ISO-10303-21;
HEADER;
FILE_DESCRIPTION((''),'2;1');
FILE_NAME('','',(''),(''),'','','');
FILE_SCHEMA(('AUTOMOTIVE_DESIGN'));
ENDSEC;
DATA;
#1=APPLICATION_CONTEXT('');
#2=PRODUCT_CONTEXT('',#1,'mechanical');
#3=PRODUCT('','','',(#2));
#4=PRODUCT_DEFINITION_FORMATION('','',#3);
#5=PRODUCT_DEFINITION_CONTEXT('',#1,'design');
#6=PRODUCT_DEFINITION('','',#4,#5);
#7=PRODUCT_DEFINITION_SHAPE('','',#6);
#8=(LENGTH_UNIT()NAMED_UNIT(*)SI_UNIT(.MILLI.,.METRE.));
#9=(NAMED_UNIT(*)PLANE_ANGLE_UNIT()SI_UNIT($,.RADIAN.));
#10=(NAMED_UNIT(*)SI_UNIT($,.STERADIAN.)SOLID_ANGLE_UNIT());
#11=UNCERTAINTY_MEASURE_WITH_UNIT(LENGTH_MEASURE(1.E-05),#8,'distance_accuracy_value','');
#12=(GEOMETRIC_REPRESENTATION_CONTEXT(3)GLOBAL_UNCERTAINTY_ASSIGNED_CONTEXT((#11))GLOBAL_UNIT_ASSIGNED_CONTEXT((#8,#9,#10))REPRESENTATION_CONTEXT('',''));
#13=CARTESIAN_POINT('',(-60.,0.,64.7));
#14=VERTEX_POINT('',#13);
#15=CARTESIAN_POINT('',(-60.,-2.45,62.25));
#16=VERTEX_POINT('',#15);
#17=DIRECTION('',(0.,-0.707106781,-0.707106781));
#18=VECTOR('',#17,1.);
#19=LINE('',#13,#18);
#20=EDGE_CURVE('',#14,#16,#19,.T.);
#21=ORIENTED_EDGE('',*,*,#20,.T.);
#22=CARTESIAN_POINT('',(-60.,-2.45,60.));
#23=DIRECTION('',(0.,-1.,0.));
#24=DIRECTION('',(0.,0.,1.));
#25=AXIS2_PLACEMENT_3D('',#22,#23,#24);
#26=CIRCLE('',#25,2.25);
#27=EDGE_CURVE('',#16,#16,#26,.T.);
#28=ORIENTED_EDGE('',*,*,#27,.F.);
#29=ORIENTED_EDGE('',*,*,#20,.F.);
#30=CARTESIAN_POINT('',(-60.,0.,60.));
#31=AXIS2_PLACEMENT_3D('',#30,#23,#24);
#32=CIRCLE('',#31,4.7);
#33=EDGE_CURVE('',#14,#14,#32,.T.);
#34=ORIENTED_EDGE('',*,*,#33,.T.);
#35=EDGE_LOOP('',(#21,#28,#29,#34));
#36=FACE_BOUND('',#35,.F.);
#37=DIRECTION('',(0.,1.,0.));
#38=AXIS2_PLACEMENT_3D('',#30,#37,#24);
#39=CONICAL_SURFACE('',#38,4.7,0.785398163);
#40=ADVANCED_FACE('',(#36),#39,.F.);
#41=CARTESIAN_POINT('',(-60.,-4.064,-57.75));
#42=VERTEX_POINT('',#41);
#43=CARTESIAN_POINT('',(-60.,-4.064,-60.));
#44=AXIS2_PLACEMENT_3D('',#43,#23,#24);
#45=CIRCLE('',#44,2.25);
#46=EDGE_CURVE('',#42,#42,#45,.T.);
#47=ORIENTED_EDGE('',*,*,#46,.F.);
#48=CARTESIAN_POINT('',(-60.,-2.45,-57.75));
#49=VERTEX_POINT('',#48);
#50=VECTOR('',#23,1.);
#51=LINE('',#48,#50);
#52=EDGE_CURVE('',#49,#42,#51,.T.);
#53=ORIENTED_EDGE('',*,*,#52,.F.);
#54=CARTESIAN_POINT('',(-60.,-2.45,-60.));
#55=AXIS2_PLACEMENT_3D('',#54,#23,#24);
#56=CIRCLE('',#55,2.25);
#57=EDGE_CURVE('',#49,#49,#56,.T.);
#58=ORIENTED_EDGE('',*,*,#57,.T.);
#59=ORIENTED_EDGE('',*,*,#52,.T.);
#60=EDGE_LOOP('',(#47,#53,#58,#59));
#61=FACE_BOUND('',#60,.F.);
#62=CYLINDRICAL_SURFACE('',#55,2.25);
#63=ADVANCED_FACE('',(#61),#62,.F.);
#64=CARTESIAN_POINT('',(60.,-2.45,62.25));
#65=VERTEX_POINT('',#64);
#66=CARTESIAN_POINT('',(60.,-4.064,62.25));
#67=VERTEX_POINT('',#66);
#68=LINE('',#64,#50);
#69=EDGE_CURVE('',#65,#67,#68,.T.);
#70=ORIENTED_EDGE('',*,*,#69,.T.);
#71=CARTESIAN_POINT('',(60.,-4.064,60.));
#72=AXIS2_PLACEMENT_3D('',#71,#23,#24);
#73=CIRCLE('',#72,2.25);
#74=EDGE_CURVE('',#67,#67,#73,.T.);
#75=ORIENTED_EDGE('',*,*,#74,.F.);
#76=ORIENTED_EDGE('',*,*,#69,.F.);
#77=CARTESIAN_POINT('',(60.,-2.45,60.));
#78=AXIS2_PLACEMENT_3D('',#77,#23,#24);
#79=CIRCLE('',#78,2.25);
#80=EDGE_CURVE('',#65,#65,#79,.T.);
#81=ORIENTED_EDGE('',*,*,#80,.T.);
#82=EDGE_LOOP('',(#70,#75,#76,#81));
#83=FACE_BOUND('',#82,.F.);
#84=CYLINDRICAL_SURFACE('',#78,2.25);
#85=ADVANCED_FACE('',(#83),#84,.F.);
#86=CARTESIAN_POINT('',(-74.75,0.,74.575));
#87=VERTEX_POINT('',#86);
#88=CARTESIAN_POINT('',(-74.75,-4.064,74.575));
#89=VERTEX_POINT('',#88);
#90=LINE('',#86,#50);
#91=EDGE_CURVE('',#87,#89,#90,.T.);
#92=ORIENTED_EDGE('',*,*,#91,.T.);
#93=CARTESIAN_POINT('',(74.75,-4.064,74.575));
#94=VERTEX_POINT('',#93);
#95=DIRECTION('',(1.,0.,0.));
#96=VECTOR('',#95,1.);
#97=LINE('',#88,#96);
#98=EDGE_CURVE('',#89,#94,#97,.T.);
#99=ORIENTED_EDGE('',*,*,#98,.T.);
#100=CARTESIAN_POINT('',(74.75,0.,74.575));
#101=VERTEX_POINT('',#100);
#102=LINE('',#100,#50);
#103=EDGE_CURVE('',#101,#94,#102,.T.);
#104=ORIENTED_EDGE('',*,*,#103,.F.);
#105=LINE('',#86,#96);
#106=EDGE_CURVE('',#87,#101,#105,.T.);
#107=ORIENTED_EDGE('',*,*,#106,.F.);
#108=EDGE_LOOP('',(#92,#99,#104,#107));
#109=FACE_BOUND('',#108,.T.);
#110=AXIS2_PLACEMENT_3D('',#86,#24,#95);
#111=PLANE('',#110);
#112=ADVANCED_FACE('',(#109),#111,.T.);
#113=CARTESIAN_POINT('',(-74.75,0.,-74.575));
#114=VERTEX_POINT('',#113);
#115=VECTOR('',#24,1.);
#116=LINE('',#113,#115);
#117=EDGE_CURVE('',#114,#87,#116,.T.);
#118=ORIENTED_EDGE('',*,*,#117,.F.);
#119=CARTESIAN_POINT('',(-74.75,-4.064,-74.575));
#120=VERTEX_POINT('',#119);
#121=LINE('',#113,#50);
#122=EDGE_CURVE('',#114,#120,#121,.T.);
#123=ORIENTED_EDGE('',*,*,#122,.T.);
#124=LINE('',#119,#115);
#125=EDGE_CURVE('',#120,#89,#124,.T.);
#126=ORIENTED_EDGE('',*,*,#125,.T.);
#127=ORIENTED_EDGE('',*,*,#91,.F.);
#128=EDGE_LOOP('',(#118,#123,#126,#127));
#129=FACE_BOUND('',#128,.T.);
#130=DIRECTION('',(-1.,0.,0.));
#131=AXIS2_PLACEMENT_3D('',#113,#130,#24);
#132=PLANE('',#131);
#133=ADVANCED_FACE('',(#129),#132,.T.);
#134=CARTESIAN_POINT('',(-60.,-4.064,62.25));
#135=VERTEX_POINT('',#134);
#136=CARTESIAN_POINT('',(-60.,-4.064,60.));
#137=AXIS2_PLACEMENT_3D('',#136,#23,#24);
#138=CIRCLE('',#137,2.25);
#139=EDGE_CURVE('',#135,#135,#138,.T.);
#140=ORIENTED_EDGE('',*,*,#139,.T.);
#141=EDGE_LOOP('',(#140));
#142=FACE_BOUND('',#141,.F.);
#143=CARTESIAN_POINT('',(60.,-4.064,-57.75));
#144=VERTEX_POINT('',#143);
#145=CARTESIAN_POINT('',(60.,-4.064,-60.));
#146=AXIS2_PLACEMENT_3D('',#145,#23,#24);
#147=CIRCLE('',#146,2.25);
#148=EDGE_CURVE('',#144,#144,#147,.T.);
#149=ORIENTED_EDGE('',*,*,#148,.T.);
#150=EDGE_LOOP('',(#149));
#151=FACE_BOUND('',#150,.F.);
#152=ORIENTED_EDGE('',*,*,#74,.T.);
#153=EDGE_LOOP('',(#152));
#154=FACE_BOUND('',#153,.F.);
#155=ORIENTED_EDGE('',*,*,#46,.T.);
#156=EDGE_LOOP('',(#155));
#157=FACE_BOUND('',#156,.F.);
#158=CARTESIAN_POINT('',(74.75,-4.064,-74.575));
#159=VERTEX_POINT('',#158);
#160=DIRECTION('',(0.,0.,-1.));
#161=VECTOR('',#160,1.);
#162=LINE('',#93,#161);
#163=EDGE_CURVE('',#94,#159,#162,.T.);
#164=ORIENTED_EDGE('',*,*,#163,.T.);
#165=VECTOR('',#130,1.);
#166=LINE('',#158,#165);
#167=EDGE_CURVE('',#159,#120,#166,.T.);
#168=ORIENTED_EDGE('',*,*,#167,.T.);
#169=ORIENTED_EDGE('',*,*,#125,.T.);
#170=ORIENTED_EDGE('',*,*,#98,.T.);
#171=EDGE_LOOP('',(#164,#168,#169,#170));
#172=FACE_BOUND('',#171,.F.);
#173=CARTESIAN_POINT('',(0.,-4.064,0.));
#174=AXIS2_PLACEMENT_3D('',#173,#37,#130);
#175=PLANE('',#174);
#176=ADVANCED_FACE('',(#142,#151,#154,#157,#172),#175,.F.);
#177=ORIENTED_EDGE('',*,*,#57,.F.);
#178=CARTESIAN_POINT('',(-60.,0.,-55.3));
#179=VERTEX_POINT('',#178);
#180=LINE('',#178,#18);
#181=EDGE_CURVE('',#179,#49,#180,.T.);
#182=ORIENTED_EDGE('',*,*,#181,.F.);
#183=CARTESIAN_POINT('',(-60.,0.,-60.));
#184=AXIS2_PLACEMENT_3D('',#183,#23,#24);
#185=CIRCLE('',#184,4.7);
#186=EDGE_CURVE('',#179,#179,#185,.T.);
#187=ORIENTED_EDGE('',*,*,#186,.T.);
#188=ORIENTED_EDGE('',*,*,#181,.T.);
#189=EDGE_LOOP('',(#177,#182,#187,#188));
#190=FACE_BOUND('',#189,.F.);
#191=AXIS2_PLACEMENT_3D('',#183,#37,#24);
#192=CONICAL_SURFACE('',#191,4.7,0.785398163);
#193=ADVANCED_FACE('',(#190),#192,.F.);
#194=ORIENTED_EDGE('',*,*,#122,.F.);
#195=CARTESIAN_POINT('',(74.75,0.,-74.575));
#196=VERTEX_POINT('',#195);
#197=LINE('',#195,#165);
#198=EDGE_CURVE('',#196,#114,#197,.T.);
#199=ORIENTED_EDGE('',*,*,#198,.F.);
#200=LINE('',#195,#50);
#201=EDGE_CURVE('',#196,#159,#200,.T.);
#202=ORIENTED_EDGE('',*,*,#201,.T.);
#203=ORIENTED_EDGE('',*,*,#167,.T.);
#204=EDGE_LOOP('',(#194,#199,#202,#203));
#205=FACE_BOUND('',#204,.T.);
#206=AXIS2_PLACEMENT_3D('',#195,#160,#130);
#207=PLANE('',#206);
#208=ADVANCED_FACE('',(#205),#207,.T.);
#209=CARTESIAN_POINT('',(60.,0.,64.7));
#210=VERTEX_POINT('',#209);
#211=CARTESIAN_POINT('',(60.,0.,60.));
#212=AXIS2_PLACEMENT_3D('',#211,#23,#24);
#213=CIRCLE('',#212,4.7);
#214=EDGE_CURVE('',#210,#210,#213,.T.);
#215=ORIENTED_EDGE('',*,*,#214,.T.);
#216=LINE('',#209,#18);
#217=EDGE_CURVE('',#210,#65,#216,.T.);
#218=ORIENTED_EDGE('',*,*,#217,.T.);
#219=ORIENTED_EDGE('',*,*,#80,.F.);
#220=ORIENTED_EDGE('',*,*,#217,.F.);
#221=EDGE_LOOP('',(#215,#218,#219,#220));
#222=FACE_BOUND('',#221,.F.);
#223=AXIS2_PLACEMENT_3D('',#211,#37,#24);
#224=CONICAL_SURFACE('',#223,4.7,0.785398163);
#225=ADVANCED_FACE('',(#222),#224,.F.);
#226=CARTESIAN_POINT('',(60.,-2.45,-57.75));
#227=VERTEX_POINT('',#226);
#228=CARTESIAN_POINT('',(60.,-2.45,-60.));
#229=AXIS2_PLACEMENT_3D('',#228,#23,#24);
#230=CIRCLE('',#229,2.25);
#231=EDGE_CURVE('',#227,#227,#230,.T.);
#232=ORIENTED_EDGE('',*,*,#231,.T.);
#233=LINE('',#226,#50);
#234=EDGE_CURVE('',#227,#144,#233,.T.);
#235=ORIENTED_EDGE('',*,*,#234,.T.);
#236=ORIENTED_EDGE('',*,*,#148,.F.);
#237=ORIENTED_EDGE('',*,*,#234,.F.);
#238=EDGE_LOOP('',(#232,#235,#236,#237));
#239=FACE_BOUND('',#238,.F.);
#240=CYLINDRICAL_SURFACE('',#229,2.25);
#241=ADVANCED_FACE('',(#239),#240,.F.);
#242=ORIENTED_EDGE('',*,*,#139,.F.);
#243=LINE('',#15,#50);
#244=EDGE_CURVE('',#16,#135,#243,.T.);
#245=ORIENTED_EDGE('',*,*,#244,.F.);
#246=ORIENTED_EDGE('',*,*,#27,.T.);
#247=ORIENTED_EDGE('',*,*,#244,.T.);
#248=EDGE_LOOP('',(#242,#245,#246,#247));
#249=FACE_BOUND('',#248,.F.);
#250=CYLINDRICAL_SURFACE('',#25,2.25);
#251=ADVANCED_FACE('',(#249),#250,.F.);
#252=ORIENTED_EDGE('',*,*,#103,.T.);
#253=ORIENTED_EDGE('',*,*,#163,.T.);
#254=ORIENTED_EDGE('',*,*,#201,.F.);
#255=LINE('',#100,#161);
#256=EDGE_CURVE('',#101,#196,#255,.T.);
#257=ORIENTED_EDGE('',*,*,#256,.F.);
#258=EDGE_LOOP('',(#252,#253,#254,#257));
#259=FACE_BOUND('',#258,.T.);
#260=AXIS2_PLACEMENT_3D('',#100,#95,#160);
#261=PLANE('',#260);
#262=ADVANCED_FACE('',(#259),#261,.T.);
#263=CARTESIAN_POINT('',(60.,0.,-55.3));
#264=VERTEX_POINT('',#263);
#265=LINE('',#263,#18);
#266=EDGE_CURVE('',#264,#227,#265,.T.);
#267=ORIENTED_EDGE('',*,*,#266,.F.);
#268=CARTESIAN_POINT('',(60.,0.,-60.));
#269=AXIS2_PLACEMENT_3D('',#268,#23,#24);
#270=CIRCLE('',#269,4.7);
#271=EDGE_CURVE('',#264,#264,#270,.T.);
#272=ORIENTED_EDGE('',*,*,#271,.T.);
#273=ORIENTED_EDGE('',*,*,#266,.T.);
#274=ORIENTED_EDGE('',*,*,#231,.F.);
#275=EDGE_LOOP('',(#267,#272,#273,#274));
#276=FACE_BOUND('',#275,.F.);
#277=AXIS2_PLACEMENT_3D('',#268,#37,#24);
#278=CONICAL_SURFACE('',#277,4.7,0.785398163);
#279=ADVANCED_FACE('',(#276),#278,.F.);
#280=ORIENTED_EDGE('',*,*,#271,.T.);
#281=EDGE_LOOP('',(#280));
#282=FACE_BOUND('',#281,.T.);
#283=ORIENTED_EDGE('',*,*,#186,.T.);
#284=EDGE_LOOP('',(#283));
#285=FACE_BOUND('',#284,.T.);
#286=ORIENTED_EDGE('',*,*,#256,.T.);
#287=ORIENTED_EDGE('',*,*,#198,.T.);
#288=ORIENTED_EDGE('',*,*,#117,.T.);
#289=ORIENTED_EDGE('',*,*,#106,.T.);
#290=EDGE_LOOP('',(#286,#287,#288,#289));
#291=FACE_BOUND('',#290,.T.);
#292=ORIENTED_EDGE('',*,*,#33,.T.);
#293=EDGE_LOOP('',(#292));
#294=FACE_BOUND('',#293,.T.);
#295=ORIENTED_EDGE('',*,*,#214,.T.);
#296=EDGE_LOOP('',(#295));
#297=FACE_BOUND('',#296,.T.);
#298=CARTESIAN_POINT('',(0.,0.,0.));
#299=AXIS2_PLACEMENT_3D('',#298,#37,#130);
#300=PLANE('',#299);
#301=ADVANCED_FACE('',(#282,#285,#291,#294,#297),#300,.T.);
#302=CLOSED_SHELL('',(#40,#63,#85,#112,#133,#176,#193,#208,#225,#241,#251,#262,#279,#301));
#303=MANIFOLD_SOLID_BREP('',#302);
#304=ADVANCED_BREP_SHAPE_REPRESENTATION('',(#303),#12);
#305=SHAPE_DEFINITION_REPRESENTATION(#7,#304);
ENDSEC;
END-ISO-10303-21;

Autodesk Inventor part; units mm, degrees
ref_plane "YZ Plane" through (0, 0, 0) normal (1, 0, 0) x (0, 1, 0)
ref_plane "XZ Plane" through (0, 0, 0) normal (0, 1, 0) x (-1, 0, 0)
ref_plane "XY Plane" through (0, 0, 0) normal (0, 0, 1) x (1, 0, 0)
sketch "Sketch1" plane through (0, 0, 0) normal (0, 1, 0) x (-1, 0, 0)
  line L0 (74.75, 74.575) -> (-74.75, 74.575)
  line L1 (-74.75, 74.575) -> (-74.75, -74.575)
  line L2 (-74.75, -74.575) -> (74.75, -74.575)
  line L3 (74.75, -74.575) -> (74.75, 74.575)
  line L4 (74.75, 74.575) -> (-74.75, -74.575) construction
  line L5 (-74.75, 74.575) -> (74.75, -74.575) construction
  point P0 (0, 0)
  dimension "d32" = 149.5
  dimension "d33" = 149.15
extrude "Extrusion1" add sketch "Sketch1" against normal blind 4.064
hole "Hole4" at (60, 0, -60) direction (0, -1, 0) diameter 4.5 depth 4.064 countersink diameter 9.4 countersink angle 90
hole "Hole3" at (-60, 0, 60) direction (0, -1, 0) diameter 4.5 depth 4.064 countersink diameter 9.4 countersink angle 90
sketch "Sketch3" plane through (0, 0, 0) normal (0, 1, 0) x (-1, 0, 0)
  point P0 (60, 60)
hole "Hole2" at (60, 0, 60) direction (0, -1, 0) diameter 4.5 depth 4.064 countersink diameter 9.4 countersink angle 90
sketch "Sketch2" plane through (0, 0, 0) normal (0, 1, 0) x (-1, 0, 0)
  point P0 (-60, -60)
hole "Hole1" at (-60, 0, -60) direction (0, -1, 0) diameter 4.5 depth 4.064 countersink diameter 9.4 countersink angle 90
sketch "Sketch4" plane through (0, 0, 0) normal (0, 1, 0) x (-1, 0, 0)
  point P0 (-60, 60)
sketch "Sketch5" plane through (0, 0, 0) normal (0, 1, 0) x (-1, 0, 0)
  point P0 (60, -60)
properties part number "Piston Build surface" material "Aluminum 6061"
